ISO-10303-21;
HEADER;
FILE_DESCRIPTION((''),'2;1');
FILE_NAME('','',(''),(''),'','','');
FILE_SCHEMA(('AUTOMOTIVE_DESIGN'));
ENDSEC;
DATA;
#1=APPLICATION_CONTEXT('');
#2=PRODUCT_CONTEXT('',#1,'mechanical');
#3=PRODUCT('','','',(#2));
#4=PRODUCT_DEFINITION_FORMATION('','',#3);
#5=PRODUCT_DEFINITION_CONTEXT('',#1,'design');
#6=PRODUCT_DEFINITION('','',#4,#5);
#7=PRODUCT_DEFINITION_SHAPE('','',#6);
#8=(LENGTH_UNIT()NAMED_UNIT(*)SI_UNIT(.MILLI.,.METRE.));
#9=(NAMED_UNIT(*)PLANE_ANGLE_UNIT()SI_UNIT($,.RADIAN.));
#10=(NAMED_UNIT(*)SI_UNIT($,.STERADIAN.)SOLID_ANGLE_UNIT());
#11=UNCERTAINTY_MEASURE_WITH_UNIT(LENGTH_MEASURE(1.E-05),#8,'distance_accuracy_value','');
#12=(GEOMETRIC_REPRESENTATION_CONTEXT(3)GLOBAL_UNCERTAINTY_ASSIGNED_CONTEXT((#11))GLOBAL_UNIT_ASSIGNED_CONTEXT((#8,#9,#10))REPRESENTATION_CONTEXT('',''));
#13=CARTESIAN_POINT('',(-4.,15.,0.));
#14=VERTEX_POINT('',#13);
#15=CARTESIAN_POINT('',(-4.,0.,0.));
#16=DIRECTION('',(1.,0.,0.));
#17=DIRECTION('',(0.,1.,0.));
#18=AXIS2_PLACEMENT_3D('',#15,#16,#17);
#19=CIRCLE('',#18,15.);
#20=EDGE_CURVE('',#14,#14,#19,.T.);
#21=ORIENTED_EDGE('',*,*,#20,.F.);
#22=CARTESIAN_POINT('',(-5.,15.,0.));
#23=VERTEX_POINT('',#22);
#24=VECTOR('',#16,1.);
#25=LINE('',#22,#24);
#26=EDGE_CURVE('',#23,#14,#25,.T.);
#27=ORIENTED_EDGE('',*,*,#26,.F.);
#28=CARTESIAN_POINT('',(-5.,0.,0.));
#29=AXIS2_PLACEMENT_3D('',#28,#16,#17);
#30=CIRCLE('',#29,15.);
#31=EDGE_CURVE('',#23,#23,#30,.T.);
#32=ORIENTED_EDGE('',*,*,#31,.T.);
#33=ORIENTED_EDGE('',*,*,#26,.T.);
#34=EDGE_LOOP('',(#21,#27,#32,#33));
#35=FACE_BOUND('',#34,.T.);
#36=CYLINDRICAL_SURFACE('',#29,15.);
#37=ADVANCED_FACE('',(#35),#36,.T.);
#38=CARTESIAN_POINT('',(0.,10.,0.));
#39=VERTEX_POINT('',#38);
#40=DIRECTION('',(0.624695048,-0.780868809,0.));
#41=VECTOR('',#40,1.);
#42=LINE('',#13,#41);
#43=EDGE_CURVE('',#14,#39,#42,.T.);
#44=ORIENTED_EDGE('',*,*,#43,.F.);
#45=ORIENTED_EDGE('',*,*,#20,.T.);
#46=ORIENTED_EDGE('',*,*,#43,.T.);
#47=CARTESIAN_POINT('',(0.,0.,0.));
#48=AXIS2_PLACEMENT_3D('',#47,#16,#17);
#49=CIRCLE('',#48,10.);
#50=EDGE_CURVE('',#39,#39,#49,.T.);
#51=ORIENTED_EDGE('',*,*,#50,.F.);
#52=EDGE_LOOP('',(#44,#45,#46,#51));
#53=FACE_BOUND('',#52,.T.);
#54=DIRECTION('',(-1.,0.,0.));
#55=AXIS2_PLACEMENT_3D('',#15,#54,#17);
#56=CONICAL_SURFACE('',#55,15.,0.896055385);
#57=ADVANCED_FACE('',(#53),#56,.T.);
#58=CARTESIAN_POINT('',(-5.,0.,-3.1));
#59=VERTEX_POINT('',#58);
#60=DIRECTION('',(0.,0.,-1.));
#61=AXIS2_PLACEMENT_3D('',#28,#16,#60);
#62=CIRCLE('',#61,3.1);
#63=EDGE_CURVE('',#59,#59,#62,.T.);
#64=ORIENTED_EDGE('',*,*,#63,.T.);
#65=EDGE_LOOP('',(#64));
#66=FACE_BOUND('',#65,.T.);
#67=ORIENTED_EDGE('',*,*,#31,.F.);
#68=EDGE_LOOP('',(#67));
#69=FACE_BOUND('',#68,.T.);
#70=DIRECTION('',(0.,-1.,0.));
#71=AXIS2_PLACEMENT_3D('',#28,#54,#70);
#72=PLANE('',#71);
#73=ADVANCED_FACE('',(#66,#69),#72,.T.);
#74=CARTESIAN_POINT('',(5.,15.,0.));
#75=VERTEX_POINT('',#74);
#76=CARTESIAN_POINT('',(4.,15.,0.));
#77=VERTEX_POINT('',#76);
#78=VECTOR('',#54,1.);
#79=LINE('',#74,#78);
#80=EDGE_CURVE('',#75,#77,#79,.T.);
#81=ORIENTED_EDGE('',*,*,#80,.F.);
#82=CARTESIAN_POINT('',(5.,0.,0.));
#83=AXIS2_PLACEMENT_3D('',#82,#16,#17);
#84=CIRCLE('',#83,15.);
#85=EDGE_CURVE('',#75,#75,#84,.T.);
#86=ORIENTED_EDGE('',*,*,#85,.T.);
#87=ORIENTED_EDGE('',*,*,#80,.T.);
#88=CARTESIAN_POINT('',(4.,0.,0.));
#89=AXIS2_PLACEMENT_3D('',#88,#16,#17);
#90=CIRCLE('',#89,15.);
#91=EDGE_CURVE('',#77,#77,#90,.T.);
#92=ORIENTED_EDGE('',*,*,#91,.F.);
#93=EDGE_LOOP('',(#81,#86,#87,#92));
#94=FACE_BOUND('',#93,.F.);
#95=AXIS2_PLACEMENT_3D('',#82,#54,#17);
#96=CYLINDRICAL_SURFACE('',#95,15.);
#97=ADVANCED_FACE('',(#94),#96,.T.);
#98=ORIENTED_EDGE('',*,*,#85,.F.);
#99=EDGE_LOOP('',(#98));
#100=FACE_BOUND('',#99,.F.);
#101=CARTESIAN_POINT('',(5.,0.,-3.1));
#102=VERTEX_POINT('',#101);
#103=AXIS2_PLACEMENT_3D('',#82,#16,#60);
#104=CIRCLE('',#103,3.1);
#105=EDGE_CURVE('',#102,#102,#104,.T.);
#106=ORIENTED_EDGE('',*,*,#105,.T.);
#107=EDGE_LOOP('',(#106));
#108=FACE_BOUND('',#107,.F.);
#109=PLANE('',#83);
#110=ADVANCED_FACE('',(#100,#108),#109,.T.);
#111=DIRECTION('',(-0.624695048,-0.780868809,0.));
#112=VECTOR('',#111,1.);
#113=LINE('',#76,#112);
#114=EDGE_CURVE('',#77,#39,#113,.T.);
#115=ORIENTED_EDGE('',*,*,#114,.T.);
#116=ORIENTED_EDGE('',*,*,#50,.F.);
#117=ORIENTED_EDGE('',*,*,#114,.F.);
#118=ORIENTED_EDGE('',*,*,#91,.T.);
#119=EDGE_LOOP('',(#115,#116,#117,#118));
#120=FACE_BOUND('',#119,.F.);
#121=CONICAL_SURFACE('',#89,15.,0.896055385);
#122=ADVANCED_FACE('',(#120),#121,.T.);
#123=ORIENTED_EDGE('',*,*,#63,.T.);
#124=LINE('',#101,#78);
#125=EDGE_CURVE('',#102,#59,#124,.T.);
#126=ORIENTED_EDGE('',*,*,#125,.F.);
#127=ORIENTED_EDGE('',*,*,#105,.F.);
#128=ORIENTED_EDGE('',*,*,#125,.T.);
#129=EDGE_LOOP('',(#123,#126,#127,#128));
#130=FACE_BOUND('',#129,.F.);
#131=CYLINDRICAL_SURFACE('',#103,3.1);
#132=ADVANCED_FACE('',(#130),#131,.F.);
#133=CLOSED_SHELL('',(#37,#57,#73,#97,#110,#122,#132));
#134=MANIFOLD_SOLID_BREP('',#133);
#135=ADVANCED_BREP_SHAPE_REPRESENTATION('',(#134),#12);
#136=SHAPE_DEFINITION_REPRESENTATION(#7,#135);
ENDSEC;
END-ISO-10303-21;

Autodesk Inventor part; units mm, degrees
ref_plane "YZ Plane" through (0, 0, 0) normal (1, 0, 0) x (0, 1, 0)
ref_plane "XZ Plane" through (0, 0, 0) normal (0, 1, 0) x (-1, 0, 0)
ref_plane "XY Plane" through (0, 0, 0) normal (0, 0, 1) x (1, 0, 0)
sketch "Sketch1" plane through (0, 0, 0) normal (0, 0, 1) x (1, 0, 0)
  line L0 (0, 0) -> (0, 10)
  line L1 (0, 0) -> (5, 0)
  line L2 (5, 0) -> (5, 15)
  line L3 (5, 15) -> (4, 15)
  line L4 (4, 15) -> (0, 10)
  dimension "d0" = 10
  dimension "d1" = 5
  dimension "d2" = 15
  dimension "d7" = 1
revolve "Revolution1" add sketch "Sketch1" angle 360 about axis through (0, 0, 0) along (1, 0, 0)
mirror "Mirror1" about plane through (0, 0, 0) normal (1, 0, 0)
sketch "Sketch2" plane through (5, 0, 0) normal (1, 0, 0) x (0, 0, -1)
  circle A0 centre (0, 0) radius 3.1
  dimension "d4" = 6.2
extrude "Extrusion1" cut sketch "Sketch2" against normal through all
sketch "Sketch3" plane through (5, 0, 0) normal (1, 0, 0) x (0, 0, -1)
  point P0 (0, 0)
properties part number "pulley"
